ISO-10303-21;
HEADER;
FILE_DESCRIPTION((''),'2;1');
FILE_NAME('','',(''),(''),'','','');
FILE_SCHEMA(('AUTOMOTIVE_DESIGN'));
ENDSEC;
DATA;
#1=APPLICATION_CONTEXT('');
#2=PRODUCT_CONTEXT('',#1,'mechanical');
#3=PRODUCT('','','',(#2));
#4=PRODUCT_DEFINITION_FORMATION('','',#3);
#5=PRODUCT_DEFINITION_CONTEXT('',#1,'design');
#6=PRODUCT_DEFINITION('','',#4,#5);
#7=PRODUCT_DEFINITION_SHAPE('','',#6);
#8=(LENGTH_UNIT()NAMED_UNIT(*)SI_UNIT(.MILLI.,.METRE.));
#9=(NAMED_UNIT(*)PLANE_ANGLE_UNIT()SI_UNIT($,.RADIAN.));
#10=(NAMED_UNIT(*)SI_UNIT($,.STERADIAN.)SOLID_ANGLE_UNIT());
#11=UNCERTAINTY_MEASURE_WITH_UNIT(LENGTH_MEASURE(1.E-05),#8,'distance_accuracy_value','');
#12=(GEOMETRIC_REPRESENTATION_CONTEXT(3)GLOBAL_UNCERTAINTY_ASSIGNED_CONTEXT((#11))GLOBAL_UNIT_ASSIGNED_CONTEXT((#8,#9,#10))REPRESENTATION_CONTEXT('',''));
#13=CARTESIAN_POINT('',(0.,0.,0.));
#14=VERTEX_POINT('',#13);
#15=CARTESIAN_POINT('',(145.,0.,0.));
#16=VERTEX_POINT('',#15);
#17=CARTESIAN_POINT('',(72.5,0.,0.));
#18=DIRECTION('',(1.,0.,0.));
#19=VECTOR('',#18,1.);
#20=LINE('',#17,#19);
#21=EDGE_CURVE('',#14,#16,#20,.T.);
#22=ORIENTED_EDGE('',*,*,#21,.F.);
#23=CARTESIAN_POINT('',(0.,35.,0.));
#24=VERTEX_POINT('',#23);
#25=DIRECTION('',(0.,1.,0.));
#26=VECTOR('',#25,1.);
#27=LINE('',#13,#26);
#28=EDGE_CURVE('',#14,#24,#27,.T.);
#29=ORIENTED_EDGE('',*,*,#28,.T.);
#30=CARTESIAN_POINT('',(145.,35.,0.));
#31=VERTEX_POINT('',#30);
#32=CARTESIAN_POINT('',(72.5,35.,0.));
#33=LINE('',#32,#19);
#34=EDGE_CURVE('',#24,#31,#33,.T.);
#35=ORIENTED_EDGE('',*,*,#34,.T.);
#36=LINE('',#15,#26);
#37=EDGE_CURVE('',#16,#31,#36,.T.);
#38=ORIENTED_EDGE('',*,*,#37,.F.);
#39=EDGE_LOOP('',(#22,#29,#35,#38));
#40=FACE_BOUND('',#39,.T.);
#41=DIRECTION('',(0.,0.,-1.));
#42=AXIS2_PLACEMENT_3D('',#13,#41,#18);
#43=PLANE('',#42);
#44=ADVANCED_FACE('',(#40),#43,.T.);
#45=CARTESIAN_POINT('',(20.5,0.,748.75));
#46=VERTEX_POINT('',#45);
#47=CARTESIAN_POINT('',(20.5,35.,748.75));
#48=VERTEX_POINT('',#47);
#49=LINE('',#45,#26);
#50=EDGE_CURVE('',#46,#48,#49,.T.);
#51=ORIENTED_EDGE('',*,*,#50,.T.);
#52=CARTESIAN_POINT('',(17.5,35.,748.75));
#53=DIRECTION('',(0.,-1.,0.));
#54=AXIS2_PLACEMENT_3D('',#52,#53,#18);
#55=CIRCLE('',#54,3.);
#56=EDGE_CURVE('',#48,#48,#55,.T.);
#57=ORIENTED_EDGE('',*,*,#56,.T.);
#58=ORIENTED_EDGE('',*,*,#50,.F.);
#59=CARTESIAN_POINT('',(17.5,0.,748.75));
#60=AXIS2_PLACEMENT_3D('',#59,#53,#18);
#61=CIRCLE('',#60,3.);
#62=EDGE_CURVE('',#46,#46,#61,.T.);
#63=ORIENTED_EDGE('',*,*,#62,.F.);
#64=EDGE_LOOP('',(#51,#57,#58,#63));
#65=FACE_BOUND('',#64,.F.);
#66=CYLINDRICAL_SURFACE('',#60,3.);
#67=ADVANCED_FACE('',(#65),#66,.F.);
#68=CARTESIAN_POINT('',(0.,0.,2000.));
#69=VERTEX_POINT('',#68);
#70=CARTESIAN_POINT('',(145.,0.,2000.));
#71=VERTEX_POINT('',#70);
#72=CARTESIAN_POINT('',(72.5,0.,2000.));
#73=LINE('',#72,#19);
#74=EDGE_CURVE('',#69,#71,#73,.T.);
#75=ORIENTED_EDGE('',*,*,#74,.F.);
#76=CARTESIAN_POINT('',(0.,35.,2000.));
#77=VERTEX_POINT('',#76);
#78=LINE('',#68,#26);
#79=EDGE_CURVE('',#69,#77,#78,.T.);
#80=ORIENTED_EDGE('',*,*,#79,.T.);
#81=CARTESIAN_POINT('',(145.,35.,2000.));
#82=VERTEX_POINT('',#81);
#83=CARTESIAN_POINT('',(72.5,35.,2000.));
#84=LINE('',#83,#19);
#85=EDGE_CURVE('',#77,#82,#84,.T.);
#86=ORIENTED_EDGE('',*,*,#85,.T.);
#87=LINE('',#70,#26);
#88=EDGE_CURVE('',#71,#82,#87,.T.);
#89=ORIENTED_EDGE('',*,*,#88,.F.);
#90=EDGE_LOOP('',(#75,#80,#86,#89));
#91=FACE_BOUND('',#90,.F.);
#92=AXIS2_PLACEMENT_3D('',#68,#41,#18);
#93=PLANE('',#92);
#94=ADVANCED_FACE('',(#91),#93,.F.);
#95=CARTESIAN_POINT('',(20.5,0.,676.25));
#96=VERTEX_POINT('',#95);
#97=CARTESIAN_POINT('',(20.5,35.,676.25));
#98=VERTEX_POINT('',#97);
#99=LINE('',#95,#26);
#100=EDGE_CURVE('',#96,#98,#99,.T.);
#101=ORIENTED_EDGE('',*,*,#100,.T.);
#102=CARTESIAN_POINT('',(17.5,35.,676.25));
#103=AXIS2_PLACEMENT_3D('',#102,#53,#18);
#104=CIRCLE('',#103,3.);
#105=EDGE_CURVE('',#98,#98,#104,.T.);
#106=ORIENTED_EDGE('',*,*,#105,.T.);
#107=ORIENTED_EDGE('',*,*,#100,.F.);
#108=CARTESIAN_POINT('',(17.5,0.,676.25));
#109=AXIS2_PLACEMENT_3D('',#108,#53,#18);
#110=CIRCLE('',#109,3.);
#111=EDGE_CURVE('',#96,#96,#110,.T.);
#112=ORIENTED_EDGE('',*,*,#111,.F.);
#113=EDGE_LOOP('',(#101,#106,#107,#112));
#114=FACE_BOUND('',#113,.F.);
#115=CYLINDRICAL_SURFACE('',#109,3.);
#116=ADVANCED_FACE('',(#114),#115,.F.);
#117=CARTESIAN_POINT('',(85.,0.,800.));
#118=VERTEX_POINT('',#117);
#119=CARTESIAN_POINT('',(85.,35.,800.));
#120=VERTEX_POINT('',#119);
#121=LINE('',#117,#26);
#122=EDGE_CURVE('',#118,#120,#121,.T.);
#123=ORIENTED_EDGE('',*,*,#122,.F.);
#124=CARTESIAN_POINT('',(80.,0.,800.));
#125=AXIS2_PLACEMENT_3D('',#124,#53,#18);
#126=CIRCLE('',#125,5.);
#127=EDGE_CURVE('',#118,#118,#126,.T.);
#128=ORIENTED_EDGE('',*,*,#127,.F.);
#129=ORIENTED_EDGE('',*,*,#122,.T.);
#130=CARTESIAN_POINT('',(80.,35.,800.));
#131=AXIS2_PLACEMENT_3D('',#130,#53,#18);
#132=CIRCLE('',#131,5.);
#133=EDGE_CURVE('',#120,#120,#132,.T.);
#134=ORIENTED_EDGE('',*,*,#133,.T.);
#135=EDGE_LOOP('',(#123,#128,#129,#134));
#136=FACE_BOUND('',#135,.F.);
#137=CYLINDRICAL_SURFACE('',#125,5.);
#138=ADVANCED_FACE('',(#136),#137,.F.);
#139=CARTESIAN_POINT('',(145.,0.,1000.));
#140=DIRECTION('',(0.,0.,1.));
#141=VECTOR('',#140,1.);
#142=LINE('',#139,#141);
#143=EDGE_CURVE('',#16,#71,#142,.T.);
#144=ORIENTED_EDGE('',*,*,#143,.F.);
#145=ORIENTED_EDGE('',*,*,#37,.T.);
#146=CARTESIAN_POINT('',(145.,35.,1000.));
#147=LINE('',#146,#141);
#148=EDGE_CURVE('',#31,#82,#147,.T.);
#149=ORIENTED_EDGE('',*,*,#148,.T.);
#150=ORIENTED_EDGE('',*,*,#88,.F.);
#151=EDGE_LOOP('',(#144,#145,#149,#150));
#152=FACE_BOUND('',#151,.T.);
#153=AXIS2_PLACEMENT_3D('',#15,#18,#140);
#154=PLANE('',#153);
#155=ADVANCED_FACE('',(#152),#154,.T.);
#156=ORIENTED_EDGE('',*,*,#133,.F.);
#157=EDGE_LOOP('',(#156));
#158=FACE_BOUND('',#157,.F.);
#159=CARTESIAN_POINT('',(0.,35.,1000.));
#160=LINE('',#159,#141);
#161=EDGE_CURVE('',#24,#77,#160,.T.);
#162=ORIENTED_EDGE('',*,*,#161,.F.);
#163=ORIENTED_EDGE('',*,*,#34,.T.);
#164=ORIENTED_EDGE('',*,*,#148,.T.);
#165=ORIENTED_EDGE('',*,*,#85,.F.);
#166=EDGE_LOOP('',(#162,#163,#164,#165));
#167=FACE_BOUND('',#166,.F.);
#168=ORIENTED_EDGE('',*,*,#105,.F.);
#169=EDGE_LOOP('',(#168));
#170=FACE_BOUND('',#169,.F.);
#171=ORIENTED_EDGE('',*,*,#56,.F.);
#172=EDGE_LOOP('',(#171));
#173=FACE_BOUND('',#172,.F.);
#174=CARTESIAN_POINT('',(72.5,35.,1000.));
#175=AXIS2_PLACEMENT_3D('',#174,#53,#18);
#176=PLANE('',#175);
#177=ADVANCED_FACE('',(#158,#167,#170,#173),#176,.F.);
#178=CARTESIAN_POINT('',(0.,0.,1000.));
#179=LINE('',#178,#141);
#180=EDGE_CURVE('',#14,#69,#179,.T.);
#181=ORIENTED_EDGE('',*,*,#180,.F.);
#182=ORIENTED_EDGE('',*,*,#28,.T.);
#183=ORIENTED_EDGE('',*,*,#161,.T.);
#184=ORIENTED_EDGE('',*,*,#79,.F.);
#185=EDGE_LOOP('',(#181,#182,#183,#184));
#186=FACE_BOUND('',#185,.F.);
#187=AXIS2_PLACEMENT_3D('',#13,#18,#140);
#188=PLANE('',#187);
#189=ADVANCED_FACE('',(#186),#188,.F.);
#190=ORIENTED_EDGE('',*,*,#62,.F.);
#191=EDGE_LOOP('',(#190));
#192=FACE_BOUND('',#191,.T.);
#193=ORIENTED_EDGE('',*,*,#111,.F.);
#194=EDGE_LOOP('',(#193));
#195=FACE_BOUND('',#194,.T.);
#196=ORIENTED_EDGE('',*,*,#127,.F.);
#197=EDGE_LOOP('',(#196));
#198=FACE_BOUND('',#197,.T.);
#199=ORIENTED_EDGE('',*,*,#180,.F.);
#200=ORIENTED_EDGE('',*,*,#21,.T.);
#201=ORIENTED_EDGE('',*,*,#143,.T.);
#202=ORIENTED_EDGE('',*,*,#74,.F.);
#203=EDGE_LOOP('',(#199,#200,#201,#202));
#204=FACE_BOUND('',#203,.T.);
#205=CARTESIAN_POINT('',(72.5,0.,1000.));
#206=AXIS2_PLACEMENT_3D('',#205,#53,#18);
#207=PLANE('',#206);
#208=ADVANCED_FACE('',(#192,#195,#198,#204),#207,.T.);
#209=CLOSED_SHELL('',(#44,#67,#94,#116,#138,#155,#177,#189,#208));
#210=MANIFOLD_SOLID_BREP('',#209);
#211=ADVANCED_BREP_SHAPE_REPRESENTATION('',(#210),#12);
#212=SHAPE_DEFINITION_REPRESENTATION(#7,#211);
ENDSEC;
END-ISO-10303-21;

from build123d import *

# Parameters (mm, degrees)
F0_W     = 145
F0_H     = 2000
F1_DEPTH = 35
F2_R     = 5
F3_DEPTH = 35.001
F4_R     = 3
F5_DEPTH = 35.001


with BuildPart() as f1:
    # F0 (on Front) → F1 (new body)
    with BuildSketch(Plane.XZ):
        with Locations((72.5, 1000)):
            Rectangle(F0_W, F0_H)
    extrude(amount=-F1_DEPTH)

    # F2 (on face) → F3 (cut, through all)
    with BuildSketch(Plane.XZ):
        with Locations((80, 800)):
            Circle(F2_R)
    extrude(amount=-F3_DEPTH, mode=Mode.SUBTRACT)

    # F4 (on face) → F5 (cut, through all)
    with BuildSketch(Plane.XZ):
        with Locations((17.5, 676.25)):
            Circle(F4_R)
        with Locations((17.5, 748.75)):
            Circle(F4_R)
    extrude(amount=-F5_DEPTH, mode=Mode.SUBTRACT)


solid = f1.part
